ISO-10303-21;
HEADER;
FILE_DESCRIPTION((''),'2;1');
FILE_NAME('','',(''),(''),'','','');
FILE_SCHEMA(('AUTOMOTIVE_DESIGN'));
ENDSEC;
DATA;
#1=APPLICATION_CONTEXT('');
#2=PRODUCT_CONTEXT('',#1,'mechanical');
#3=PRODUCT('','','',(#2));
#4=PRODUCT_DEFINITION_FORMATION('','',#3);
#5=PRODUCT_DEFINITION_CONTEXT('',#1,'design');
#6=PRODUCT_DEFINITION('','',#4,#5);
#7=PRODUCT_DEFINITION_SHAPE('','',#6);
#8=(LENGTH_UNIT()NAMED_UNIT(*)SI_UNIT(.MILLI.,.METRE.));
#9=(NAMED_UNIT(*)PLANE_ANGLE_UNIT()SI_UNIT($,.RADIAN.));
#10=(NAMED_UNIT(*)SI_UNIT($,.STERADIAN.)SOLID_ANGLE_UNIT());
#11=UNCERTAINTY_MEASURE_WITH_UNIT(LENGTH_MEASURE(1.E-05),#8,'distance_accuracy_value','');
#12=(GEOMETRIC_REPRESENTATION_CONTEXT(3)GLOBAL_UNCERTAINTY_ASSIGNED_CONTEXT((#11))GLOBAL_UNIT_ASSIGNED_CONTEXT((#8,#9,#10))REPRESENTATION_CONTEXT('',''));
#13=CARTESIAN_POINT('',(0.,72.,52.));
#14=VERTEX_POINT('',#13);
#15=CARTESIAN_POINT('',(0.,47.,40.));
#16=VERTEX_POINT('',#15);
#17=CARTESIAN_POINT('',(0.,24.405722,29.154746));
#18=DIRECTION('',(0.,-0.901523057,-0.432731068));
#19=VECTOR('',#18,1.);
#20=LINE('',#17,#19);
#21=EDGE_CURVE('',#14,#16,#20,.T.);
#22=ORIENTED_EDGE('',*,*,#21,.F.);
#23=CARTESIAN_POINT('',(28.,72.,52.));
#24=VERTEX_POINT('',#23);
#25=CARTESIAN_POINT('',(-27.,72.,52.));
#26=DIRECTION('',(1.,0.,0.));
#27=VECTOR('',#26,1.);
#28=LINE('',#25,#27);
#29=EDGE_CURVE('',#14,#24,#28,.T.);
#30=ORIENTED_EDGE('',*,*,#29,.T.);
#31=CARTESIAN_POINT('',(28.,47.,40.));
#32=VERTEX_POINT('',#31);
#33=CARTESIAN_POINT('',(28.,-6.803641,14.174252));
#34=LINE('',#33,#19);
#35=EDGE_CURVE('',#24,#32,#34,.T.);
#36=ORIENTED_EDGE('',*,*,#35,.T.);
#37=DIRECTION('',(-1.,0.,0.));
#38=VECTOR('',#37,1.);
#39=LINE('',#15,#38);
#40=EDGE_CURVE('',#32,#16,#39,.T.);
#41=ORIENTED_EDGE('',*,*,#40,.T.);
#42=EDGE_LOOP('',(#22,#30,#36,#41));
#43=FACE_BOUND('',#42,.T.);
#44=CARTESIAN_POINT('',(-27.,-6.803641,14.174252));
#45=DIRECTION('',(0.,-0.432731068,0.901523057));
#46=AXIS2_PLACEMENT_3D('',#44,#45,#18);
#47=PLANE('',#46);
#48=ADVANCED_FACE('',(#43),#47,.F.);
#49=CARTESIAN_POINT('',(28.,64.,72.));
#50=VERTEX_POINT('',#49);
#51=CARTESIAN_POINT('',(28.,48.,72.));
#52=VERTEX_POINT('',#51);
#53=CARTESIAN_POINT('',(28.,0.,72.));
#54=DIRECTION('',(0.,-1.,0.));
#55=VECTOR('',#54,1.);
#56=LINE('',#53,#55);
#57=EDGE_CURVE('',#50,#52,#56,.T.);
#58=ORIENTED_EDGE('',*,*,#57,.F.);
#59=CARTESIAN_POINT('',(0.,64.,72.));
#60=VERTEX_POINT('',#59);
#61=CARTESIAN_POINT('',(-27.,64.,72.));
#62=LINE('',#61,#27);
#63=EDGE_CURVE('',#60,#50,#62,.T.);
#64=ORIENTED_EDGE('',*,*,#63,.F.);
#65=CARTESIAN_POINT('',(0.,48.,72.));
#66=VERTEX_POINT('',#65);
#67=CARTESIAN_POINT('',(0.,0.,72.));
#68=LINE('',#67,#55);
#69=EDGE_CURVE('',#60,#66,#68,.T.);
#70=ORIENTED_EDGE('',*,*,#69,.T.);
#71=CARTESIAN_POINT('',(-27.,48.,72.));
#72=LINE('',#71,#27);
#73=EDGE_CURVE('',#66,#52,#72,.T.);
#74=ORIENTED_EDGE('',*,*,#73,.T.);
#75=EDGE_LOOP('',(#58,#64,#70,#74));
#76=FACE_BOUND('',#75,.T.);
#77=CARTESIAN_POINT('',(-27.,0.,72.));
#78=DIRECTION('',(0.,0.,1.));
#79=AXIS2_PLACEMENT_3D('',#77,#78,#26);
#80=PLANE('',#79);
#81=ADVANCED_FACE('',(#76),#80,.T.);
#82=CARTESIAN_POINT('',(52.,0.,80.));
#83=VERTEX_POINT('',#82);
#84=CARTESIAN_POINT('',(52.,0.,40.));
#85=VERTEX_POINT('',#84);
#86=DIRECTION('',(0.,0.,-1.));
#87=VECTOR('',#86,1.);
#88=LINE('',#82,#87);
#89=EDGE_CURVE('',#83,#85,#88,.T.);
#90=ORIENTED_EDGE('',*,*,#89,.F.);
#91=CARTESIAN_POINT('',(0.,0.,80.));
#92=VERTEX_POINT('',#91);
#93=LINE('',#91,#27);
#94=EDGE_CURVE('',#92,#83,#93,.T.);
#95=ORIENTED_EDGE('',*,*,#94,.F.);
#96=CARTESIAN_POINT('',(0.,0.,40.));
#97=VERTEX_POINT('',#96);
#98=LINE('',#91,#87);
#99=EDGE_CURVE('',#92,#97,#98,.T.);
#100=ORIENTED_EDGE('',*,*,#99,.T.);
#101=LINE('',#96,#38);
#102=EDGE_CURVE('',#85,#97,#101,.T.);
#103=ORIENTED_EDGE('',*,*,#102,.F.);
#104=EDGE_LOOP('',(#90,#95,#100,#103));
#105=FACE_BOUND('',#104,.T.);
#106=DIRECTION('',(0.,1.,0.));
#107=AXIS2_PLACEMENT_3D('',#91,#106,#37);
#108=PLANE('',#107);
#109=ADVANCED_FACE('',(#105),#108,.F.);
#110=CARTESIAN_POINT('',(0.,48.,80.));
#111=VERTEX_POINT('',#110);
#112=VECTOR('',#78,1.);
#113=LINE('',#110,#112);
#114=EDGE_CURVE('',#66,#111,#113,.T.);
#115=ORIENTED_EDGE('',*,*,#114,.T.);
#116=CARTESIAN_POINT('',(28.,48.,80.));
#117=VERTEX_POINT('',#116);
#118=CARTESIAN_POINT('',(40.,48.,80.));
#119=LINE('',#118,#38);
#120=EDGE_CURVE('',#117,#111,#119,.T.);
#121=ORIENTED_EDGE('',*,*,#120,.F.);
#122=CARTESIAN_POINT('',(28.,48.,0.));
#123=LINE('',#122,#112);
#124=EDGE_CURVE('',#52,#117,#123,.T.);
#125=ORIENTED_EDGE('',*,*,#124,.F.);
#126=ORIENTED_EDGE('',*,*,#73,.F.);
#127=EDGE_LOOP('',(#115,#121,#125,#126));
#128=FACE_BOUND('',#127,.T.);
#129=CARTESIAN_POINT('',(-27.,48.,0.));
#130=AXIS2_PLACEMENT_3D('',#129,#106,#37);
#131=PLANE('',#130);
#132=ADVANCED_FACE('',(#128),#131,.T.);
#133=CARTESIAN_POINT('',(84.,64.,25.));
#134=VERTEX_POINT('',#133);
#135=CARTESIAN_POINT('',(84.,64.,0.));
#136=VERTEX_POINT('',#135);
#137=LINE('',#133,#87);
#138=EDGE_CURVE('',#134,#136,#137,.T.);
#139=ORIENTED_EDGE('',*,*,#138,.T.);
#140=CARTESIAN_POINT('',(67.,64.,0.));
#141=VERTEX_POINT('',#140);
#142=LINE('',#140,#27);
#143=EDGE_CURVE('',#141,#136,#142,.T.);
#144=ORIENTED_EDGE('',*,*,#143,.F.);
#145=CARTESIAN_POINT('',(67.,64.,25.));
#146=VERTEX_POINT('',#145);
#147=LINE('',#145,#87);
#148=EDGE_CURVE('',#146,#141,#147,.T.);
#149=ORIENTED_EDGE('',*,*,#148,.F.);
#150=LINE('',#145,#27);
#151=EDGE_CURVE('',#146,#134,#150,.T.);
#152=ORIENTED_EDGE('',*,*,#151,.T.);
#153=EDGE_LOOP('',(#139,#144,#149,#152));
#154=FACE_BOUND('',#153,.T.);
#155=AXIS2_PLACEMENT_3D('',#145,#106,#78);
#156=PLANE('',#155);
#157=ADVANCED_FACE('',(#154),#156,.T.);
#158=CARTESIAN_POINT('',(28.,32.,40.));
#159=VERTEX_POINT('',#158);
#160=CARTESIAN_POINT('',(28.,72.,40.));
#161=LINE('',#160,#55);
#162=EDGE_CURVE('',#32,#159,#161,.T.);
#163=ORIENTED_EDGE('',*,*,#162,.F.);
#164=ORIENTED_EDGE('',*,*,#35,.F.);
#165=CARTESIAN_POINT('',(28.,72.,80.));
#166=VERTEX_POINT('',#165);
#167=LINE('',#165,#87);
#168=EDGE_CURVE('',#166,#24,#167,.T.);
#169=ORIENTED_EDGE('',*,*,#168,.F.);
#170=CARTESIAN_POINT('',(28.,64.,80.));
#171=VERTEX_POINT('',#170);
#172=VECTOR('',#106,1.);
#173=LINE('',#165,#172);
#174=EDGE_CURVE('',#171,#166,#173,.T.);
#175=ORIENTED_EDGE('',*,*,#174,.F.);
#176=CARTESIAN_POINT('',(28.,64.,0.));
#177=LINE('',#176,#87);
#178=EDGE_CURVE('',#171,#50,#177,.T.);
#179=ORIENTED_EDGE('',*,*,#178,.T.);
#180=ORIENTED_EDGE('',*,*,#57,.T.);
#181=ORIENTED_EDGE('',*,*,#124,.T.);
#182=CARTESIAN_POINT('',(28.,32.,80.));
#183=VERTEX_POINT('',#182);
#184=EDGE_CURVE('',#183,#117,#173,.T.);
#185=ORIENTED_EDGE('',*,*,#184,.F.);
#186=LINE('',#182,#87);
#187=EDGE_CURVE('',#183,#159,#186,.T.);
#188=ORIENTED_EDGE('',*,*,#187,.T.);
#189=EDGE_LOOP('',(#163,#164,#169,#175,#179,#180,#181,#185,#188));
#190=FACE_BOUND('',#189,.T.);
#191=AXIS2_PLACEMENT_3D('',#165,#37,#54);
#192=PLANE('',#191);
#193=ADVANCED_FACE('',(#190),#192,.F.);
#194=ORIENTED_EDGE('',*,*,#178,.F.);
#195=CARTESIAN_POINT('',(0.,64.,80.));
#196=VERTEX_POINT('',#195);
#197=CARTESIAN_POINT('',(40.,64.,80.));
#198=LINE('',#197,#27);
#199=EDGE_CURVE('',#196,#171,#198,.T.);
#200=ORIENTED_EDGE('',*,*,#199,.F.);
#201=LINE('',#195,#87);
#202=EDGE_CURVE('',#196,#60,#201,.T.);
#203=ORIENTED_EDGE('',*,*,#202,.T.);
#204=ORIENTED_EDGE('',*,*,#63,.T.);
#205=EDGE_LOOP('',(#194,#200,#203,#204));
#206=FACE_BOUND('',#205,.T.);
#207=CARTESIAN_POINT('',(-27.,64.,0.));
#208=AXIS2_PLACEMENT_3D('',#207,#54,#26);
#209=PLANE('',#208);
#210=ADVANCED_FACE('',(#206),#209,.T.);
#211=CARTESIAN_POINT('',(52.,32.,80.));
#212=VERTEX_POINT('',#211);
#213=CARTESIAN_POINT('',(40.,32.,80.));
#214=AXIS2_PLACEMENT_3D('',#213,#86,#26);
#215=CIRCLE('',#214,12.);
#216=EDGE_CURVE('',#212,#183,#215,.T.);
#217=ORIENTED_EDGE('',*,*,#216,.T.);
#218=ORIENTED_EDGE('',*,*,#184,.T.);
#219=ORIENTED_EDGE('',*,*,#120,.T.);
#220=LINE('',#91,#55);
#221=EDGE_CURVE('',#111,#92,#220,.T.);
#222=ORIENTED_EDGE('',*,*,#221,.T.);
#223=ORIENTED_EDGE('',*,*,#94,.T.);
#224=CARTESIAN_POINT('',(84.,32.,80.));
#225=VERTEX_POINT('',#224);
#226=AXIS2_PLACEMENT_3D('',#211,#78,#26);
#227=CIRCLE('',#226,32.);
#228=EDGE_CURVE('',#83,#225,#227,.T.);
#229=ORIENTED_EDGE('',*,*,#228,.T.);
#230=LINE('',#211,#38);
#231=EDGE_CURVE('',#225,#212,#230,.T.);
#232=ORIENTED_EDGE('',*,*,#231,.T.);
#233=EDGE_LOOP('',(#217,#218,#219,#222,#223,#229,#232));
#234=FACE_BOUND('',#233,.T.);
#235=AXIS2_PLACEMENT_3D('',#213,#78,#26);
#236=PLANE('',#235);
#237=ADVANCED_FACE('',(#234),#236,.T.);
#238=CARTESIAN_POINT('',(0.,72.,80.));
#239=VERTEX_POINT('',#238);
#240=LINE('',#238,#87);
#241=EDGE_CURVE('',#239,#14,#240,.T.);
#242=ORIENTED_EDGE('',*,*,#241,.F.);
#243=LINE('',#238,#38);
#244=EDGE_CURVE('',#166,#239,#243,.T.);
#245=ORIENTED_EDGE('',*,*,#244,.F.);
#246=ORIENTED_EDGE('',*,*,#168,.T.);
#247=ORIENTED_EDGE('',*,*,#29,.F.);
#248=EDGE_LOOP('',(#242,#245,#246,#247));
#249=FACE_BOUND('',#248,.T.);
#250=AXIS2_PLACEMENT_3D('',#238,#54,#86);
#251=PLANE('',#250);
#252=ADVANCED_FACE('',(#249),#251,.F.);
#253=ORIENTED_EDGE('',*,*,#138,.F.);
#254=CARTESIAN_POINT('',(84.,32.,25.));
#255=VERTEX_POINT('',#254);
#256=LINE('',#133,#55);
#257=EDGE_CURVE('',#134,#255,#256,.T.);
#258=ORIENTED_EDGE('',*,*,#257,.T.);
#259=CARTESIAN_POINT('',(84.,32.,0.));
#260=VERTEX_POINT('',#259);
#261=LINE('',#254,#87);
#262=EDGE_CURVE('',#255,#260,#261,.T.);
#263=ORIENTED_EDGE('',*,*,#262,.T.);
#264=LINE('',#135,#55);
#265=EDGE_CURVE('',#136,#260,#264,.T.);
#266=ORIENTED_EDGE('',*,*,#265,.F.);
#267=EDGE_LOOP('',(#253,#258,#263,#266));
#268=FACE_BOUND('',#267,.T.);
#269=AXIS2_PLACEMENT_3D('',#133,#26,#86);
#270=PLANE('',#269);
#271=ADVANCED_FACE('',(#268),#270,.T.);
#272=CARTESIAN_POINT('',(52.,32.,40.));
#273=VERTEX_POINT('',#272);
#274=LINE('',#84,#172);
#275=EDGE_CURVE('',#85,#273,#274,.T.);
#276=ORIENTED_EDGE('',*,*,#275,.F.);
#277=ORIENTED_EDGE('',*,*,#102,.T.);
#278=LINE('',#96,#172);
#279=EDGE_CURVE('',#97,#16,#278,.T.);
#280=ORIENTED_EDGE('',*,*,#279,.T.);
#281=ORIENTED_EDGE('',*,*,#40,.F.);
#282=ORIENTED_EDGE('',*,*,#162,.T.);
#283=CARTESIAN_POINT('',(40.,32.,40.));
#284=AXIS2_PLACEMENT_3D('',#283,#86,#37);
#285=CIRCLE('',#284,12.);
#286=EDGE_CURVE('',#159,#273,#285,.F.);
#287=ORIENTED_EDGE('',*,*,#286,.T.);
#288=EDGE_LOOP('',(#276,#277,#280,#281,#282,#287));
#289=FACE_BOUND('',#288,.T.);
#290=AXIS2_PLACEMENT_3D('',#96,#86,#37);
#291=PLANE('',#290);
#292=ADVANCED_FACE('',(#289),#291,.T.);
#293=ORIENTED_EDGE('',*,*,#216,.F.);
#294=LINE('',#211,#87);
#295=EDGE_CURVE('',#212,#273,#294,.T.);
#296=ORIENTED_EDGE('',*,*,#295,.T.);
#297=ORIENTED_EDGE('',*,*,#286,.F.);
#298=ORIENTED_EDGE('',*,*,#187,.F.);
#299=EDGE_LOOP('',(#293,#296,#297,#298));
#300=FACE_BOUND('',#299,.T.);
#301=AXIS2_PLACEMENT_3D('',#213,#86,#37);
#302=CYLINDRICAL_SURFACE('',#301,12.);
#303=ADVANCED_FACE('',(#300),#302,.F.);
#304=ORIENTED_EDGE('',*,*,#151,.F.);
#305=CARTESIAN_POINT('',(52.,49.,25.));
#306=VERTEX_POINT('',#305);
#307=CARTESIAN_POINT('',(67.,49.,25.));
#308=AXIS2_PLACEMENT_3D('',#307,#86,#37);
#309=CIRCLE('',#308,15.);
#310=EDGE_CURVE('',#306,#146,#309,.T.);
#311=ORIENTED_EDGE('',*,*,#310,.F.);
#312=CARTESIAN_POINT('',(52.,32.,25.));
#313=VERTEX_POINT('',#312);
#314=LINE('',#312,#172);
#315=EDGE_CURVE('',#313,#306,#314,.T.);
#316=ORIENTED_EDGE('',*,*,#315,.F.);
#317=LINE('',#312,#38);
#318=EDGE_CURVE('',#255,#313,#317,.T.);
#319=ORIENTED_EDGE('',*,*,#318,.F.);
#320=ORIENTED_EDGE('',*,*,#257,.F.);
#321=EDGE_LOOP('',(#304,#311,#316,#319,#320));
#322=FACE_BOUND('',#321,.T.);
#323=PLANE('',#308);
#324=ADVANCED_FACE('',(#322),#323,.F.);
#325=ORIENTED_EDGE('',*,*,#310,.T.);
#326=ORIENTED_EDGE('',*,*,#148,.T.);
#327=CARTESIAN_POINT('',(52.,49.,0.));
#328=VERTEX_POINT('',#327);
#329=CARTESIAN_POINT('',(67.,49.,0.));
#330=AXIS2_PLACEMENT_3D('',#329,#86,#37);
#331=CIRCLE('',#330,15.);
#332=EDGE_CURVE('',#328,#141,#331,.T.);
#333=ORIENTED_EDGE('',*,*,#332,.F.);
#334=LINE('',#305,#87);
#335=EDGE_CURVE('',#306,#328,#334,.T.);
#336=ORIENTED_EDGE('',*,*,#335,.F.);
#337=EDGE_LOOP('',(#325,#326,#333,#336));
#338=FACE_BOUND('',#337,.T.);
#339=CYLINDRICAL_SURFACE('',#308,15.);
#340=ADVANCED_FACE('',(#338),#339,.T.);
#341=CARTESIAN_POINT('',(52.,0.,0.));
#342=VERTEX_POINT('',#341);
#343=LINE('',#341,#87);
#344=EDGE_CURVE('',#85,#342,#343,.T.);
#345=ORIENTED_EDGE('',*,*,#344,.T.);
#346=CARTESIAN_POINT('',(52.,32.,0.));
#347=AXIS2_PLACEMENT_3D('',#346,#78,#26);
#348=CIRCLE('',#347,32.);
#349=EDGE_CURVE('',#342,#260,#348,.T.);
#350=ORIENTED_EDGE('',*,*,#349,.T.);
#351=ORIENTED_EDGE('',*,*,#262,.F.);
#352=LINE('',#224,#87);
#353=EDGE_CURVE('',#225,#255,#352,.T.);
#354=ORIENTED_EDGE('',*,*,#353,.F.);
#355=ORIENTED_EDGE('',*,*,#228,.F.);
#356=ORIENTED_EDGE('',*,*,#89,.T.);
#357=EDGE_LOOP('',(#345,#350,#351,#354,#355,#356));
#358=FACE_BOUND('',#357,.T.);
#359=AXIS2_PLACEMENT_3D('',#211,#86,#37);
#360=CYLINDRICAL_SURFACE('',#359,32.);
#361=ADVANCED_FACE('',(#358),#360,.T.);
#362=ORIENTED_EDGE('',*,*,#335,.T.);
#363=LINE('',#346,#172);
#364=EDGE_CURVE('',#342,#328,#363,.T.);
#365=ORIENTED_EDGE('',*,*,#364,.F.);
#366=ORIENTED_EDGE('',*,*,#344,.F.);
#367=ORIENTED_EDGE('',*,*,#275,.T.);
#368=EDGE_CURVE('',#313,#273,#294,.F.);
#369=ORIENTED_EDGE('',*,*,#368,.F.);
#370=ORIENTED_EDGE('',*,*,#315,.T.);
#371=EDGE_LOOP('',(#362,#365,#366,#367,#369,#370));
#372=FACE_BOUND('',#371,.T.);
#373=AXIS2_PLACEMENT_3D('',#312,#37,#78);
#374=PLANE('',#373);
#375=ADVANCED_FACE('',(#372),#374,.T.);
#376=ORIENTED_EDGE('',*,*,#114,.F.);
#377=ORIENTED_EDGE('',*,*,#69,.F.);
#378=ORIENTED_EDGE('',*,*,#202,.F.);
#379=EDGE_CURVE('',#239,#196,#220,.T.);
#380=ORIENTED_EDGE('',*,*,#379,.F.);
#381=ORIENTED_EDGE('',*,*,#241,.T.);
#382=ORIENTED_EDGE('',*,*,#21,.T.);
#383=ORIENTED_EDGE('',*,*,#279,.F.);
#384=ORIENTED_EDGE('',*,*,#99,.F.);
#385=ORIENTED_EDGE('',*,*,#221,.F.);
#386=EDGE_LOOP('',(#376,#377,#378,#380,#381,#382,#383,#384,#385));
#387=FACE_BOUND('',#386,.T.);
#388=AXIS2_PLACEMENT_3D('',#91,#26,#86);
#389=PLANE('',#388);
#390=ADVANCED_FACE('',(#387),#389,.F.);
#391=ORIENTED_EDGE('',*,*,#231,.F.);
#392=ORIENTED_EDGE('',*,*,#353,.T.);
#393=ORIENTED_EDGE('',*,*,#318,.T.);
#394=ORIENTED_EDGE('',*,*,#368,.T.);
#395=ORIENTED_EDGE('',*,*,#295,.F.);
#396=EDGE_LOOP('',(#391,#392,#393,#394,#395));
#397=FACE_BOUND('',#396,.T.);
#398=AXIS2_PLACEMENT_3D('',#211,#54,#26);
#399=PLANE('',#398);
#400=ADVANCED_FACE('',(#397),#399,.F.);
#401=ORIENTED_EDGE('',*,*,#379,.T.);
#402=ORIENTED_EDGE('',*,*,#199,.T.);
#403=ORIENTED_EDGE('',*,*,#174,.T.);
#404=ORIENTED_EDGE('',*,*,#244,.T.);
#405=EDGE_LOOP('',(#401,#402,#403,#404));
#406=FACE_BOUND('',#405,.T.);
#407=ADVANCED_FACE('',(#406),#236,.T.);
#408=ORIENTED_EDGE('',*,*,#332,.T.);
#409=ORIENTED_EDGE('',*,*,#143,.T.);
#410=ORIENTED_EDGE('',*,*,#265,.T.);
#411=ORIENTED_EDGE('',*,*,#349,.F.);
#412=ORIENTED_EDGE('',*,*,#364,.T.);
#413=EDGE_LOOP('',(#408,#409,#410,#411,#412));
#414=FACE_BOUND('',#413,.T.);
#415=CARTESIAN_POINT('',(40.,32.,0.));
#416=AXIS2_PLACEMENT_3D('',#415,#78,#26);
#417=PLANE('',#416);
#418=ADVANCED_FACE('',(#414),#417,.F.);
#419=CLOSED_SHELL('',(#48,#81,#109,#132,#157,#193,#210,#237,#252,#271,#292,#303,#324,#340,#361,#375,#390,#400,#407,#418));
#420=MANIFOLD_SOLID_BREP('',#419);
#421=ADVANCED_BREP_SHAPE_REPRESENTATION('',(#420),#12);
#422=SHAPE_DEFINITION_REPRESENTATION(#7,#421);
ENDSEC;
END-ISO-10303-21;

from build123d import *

# Parameters (mm, degrees)
BOSS_EXTRUDE1_DEPTH = 80
BOSS_EXTRUDE2_DEPTH = 25
SKETCH4_W           = 28
SKETCH4_H           = 40
CUT_EXTRUDE1_DEPTH  = 137.528385327
SKETCH5_W           = 8
SKETCH5_H           = 16
CUT_EXTRUDE2_DEPTH  = 55


with BuildPart() as part:
    # Sketch1 → Boss-Extrude1 (new body)
    with BuildSketch(Plane.XY):
        with BuildLine():
            Line((0, 0), (52, 0))
            ThreePointArc((52, 0), (74.627416998, 9.372583002), (84, 32))
            Line((84, 32), (52, 32))
            ThreePointArc((52, 32), (40, 20), (28, 32))
            Line((28, 32), (28, 72))
            Line((28, 72), (0, 72))
            Line((0, 72), (0, 0))
        make_face()
    extrude(amount=BOSS_EXTRUDE1_DEPTH)

    # Sketch3 → Boss-Extrude2 (add)
    with BuildSketch(Plane(origin=(0, 0, 0), x_dir=(-1, 0, 0), z_dir=(0, 0, -1))):
        with BuildLine():
            Line((-52, 32), (-52, 49))
            ThreePointArc((-52, 49), (-56.393398282, 59.606601718), (-67, 64))
            Line((-67, 64), (-84, 64))
            Line((-84, 64), (-84, 32))
            Line((-84, 32), (-52, 32))
        make_face()
    extrude(amount=-BOSS_EXTRUDE2_DEPTH)

    # Sketch4 → Cut-Extrude1 (cut, through all)
    with BuildSketch(Plane(origin=(0, 72, 0), x_dir=(1, 0, 0), z_dir=(0, 1, 0))):
        with Locations((14, -20)):
            Rectangle(SKETCH4_W, SKETCH4_H)
        Polygon((28, 0), (28, -40), (52, -40), (52, -25), (52, 0), align=None)
    extrude(amount=-CUT_EXTRUDE1_DEPTH, mode=Mode.SUBTRACT)

    # Sketch5 → Cut-Extrude2 (cut)
    with BuildSketch(Plane(origin=(28, 0, 0), x_dir=(0, 0, -1), z_dir=(1, 0, 0))):
        Polygon((-40, 72), (-52, 72), (-40, 47), align=None)
        with Locations((-76, 56)):
            Rectangle(SKETCH5_W, SKETCH5_H)
    extrude(amount=-CUT_EXTRUDE2_DEPTH, mode=Mode.SUBTRACT)


solid = part.part
